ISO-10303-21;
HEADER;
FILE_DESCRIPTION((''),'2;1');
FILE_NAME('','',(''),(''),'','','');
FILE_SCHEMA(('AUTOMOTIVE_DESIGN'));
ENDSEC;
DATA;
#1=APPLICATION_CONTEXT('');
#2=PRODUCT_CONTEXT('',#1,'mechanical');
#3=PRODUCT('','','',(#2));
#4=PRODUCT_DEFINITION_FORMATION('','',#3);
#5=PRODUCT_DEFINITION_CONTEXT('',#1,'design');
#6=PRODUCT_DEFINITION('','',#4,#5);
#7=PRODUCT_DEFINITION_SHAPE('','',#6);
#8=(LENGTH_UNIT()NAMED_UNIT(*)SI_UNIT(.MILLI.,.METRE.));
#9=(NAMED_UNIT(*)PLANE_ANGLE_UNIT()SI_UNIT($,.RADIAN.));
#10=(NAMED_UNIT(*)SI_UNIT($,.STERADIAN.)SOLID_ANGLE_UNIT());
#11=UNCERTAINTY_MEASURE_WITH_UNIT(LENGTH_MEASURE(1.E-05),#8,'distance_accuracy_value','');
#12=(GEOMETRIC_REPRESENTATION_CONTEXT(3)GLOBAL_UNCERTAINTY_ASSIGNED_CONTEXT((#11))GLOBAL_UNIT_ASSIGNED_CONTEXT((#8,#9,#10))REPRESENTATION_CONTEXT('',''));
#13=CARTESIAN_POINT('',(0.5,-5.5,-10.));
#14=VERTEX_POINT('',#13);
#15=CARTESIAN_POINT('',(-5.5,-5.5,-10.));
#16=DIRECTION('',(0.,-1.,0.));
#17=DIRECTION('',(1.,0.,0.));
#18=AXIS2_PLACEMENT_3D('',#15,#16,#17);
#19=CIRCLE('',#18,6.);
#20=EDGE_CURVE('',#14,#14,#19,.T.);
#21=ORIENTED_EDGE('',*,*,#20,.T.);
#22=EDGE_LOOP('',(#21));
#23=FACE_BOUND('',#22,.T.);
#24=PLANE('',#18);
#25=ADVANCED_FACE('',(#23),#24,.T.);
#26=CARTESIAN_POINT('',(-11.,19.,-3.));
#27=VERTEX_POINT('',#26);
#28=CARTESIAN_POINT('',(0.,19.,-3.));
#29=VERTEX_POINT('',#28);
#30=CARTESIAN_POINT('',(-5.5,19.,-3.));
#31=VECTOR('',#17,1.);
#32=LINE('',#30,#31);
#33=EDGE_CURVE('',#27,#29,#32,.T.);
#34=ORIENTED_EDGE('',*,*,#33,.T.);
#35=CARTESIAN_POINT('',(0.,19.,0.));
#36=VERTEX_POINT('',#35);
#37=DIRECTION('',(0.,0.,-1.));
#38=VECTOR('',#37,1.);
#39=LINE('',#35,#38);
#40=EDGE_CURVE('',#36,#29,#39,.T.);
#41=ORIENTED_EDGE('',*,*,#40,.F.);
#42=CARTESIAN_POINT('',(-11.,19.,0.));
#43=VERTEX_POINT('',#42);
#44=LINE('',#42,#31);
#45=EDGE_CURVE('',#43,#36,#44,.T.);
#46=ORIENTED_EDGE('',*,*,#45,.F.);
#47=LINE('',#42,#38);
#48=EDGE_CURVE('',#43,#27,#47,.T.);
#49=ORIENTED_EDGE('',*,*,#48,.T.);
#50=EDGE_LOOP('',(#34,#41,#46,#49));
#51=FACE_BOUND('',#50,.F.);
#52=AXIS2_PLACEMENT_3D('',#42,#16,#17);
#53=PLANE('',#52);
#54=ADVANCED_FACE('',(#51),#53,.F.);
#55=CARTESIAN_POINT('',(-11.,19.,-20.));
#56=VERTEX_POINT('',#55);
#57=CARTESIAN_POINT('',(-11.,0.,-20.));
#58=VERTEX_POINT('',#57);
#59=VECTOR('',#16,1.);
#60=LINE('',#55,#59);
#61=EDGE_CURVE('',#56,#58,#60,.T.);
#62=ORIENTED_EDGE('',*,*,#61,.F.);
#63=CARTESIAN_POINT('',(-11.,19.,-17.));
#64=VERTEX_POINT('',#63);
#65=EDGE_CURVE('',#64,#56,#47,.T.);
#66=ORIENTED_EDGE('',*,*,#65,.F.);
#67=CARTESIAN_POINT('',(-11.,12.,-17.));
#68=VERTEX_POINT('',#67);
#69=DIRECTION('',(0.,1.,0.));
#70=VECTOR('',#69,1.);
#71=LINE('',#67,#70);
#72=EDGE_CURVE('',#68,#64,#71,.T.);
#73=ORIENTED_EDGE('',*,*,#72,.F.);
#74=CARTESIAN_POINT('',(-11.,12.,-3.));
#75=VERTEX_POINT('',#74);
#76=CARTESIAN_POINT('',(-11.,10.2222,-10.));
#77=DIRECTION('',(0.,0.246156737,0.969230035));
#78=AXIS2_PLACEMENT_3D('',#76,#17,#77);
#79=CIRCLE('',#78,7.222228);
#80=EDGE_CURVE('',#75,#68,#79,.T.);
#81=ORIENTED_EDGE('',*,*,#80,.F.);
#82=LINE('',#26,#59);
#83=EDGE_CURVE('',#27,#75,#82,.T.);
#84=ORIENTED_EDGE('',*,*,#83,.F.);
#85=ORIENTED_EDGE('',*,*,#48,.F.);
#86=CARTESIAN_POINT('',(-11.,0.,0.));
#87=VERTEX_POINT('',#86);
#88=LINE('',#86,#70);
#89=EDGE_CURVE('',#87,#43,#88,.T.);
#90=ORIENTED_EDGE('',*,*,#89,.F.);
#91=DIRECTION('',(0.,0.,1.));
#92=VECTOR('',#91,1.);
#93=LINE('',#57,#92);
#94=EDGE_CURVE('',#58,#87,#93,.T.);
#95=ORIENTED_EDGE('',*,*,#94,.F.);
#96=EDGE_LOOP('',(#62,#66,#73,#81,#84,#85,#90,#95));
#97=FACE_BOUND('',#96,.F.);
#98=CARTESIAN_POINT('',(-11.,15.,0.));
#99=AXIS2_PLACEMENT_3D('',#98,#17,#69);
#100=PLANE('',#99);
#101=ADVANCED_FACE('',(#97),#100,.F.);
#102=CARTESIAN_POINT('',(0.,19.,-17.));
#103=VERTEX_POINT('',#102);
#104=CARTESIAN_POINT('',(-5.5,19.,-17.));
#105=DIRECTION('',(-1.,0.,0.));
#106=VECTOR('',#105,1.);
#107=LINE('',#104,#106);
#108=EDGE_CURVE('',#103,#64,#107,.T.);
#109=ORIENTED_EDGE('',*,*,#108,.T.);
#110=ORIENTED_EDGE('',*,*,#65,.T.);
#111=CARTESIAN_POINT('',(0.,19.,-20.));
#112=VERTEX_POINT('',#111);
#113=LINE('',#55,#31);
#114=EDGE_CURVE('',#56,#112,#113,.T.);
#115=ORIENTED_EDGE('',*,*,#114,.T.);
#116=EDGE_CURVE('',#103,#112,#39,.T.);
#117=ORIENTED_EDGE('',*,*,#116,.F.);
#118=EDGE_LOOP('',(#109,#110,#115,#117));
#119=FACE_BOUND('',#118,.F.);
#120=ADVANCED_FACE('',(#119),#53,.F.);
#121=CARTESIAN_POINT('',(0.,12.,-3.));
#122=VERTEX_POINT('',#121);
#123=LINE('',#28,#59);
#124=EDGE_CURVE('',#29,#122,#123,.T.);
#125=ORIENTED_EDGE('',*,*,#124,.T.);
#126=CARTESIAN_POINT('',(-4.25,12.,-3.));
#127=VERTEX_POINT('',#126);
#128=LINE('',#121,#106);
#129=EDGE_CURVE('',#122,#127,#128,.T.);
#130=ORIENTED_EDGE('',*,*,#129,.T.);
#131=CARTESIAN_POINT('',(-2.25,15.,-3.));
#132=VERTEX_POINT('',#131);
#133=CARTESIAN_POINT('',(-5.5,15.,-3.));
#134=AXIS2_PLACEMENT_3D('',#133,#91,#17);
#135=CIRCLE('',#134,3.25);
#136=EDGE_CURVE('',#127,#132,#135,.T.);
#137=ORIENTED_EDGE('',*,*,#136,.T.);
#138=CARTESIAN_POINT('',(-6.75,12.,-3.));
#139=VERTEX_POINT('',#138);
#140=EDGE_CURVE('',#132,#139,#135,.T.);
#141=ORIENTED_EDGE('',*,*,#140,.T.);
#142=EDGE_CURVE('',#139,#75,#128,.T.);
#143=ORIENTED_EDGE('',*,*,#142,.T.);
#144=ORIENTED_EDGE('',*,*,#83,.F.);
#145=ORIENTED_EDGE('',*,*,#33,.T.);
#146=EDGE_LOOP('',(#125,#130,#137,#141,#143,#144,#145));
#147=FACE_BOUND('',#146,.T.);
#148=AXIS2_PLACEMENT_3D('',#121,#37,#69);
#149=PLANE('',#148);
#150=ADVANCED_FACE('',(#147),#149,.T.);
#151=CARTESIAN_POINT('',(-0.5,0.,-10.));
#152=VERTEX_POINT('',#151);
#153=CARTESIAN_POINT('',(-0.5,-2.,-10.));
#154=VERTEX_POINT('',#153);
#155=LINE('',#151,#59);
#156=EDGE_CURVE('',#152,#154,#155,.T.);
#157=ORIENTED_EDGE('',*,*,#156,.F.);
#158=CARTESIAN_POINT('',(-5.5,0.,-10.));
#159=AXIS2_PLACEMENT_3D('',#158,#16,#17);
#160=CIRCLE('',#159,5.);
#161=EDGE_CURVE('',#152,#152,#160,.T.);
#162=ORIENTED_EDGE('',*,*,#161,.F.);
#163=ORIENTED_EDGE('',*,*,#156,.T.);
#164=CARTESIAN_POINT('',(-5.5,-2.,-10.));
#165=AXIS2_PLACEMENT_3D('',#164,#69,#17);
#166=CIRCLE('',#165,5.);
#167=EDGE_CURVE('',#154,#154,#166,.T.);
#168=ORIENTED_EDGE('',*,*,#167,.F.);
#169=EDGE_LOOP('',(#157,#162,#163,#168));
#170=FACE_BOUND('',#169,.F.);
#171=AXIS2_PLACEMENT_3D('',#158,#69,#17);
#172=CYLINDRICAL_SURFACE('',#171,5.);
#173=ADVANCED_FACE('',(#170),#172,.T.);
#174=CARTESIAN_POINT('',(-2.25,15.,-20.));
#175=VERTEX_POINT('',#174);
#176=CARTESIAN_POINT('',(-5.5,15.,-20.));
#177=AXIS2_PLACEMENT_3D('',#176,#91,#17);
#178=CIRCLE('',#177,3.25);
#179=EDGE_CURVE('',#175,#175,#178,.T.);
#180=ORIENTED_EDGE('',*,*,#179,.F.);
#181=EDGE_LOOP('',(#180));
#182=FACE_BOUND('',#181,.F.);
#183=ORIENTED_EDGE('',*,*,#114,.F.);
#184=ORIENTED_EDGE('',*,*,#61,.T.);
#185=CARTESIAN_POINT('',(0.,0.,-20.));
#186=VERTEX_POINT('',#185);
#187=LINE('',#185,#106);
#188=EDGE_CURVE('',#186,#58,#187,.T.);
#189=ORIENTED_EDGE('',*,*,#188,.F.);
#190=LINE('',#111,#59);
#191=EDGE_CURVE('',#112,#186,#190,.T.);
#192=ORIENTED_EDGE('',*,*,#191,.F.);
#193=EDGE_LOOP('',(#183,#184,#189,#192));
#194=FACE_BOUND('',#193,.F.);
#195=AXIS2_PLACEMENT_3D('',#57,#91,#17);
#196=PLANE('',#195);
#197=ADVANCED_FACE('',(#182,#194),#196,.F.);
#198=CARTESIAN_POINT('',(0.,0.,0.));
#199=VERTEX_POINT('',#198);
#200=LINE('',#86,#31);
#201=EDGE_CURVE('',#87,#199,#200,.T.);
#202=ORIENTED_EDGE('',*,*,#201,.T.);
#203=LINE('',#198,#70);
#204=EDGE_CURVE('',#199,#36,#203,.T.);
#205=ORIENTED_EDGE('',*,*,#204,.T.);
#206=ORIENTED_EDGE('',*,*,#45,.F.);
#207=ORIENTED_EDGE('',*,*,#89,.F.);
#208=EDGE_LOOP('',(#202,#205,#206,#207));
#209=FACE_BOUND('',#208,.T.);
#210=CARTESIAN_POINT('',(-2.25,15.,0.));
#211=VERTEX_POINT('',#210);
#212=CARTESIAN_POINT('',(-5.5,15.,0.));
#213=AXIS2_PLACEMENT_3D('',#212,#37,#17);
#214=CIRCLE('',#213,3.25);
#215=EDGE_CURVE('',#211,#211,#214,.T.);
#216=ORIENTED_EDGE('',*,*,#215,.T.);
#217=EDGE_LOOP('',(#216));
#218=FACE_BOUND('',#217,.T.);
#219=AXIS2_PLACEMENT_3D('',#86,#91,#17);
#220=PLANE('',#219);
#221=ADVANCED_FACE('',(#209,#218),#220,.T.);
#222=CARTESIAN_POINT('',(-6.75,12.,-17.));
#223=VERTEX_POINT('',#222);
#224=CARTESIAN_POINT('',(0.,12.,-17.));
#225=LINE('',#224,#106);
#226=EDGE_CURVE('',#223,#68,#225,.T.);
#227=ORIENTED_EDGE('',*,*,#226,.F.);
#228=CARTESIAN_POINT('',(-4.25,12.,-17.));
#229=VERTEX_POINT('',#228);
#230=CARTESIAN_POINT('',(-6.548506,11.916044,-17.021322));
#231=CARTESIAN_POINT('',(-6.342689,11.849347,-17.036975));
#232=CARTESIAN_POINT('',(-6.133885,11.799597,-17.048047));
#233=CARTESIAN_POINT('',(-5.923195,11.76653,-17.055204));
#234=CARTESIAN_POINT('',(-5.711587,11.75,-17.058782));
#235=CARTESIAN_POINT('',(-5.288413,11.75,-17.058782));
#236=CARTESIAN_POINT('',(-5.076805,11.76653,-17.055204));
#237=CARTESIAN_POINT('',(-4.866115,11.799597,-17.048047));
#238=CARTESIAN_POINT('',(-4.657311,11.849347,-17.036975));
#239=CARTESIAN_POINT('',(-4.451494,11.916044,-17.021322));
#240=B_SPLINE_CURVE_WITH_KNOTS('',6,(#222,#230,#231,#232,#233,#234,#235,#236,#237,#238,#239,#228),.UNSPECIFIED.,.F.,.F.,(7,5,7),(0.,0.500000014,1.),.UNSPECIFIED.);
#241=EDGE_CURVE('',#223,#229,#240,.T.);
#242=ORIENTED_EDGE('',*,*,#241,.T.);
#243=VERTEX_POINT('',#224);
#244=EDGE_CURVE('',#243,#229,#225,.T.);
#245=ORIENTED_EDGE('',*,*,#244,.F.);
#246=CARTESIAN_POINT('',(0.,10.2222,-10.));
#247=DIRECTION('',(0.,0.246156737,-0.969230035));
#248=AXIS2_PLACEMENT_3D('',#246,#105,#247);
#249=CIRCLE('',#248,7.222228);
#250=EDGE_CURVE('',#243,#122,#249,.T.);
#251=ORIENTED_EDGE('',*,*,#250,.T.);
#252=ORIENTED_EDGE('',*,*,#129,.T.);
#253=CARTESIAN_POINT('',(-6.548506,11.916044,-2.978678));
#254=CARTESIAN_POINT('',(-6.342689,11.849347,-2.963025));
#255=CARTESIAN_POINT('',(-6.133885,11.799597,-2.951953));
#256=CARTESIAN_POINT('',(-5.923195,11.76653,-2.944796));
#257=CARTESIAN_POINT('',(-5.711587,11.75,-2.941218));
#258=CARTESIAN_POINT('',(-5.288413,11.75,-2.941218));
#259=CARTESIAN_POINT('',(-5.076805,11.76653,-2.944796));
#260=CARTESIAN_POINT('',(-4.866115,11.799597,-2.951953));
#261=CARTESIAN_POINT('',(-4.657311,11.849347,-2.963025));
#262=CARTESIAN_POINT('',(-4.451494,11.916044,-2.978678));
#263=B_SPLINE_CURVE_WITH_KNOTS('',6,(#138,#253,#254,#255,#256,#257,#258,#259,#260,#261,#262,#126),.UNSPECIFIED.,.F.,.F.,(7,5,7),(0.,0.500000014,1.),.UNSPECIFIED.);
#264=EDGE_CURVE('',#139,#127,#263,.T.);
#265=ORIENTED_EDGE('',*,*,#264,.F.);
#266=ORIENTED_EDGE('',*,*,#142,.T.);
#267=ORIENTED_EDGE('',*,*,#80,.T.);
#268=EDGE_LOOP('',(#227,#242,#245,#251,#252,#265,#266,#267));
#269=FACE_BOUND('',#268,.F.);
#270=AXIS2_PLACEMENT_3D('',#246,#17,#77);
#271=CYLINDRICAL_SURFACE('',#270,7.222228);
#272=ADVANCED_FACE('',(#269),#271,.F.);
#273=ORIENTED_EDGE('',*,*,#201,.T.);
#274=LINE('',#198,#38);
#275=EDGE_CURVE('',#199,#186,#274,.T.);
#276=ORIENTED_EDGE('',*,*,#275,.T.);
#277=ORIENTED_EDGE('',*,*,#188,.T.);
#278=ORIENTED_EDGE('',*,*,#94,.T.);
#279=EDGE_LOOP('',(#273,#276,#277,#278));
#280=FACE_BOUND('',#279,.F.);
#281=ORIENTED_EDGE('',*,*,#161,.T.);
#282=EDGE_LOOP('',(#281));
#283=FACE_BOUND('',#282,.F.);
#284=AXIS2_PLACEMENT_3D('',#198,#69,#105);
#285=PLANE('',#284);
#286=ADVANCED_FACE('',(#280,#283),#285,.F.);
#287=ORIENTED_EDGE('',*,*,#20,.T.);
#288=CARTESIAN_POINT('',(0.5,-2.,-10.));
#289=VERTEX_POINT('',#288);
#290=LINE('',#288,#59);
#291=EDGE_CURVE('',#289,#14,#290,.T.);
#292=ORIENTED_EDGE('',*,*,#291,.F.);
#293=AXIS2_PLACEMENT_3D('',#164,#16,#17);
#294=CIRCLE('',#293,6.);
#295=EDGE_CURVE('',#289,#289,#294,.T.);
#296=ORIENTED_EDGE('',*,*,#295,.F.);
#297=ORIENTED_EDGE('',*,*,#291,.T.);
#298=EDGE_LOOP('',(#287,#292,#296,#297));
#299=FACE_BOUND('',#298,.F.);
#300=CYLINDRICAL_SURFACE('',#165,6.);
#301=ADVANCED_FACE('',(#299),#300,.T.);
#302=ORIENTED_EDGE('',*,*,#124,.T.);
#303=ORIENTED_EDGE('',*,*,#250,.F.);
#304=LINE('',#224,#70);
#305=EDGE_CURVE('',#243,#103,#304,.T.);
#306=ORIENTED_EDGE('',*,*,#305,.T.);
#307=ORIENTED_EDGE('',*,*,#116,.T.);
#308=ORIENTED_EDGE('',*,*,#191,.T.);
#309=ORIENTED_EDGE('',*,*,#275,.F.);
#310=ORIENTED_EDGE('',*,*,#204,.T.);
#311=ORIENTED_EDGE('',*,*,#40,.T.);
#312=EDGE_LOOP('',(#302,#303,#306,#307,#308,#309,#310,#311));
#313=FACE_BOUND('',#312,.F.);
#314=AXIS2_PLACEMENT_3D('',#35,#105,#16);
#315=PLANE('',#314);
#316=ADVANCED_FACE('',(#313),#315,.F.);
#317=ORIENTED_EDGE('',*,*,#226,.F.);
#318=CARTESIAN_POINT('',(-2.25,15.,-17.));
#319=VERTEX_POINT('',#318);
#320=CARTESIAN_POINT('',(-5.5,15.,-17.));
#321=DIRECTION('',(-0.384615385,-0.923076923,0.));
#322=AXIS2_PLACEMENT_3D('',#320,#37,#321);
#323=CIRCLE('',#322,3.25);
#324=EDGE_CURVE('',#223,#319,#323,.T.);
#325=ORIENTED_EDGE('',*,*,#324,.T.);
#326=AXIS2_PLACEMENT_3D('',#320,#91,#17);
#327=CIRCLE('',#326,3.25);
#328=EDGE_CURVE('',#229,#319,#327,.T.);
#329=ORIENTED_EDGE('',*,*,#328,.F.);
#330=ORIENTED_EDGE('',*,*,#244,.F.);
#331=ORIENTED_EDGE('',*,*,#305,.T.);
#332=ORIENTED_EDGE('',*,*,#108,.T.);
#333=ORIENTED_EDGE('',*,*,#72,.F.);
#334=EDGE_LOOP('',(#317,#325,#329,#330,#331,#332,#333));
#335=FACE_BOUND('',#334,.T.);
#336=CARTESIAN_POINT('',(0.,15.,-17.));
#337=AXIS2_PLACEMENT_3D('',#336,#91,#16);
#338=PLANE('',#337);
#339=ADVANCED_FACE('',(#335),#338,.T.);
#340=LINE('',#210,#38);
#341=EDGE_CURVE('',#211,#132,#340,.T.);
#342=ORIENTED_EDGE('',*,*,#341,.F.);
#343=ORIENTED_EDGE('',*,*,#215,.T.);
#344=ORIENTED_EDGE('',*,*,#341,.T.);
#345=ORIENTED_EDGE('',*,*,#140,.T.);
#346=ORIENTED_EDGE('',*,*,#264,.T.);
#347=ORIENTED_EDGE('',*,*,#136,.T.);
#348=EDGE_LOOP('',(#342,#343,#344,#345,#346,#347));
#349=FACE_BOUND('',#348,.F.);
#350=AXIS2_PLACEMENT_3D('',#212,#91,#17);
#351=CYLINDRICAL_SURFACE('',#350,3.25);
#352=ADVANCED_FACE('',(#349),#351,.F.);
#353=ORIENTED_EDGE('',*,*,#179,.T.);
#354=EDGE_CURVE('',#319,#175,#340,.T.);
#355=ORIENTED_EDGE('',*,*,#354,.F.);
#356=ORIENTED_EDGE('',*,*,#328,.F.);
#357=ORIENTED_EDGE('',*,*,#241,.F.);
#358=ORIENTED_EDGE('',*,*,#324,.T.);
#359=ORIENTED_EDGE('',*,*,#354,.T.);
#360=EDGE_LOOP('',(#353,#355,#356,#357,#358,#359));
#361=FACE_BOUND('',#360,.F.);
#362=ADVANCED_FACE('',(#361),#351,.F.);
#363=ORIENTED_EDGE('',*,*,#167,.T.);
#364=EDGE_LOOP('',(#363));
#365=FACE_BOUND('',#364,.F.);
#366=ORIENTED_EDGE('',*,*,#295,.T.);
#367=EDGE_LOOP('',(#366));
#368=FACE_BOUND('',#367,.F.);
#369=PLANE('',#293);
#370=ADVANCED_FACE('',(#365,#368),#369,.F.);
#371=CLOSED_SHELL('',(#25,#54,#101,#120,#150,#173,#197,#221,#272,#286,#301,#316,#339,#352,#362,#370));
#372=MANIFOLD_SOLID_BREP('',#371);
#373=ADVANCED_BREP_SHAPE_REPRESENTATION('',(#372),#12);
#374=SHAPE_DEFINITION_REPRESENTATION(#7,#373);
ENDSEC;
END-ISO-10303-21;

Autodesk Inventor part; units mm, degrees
ref_plane "YZ Plane" through (0, 0, 0) normal (1, 0, 0) x (0, 1, 0)
ref_plane "XZ Plane" through (0, 0, 0) normal (0, 1, 0) x (-1, 0, 0)
ref_plane "XY Plane" through (0, 0, 0) normal (0, 0, 1) x (1, 0, 0)
sketch "Sketch2" plane through (0, 0, 0) normal (0, 1, 0) x (-1, 0, 0)
  line L0 (0, 0) -> (0, -20)
  line L1 (0, -20) -> (11, -20)
  line L2 (11, -20) -> (11, 0)
  line L3 (11, 0) -> (0, 0)
  dimension "d3" = 11
  dimension "d35" = 20
extrude "Extrusion1" add sketch "Sketch2" along normal blind 15
sketch "Sketch3" plane through (-11, 0, 0) normal (0, 0, 1) x (1, 0, 0)
  line L0 (0, 0) -> (11, 0) projected
  line L1 (11, 0) -> (11, 15) projected
  line L2 (0, 15) -> (11, 15) projected
  line L3 (0, 0) -> (0, 15) projected
  line L4 (11, 15) -> (0, 15) projected
  circle A0 centre (5.5, 15) radius 3.25
  line L5 (0, 15) -> (0, 19)
  line L6 (0, 19) -> (11, 19)
  line L7 (11, 19) -> (11, 15)
  point P0 (8.75, 15)
  point P1 (2.25, 15)
  dimension "d33" = 6.5
  dimension "d34" = 4
extrude "Extrusion2" cut sketch "Sketch3" against normal blind 32.25 contours L2 A0 picked at (4.4481, 14.7407)
sketch "Sketch4" plane through (0, 0, 0) normal (1, 0, 0) x (0, 0, -1)
  line L0 (0, 0) -> (20, 0) projected
  line L1 (20, 0) -> (20, 15) projected
  line L2 (0, 15) -> (20, 15) projected
  line L3 (0, 0) -> (0, 15) projected
  line L4 (0, 15) -> (3, 15)
  line L5 (0, 15) -> (20, 15) projected
  line L6 (20, 15) -> (17, 15)
  line L7 (17, 15) -> (17, 12)
  line L8 (0, 11.75) -> (20, 11.75) projected
  line L9 (17, 12) -> (3, 12)
  line L10 (3, 12) -> (3, 15)
  line L11 (20, 0) -> (0, 0) projected
  line L12 (10, 0) -> (10, 3)
  arc A0 (3, 12) -> (17, 12) centre (10, 10.2222) ccw
  line L13 (3, 15) -> (3, 23.7535)
  line L14 (3, 23.7535) -> (17, 23.7535)
  line L15 (17, 23.7535) -> (17, 15)
  point P0 (17, 15)
  dimension "d11" = 3
  dimension "d12" = 3
  dimension "d36" = 3
  dimension "d37" = 3
extrude "Extrusion3" cut sketch "Sketch4" against normal blind 32.25 contours A0 L8 | A0 L9 L8 | L2 L7 L9 L10
sketch "Sketch7" plane through (0, 0, 0) normal (0, -1, 0) x (1, 0, 0)
  line L0 (0, -20) -> (-11, -20) projected
  line L1 (0, 0) -> (0, -20) projected
  line L2 (-11, 0) -> (0, 0) projected
  line L3 (-11, -20) -> (-11, 0) projected
  circle A0 centre (-5.5, -10) radius 5
  line L4 (-11, -3) -> (-11, 0) projected
  line L5 (-11, 0) -> (-11, -10)
  line L6 (-11, -17.2222) -> (-11, -2.7778) projected
  line L7 (-11, -10) -> (0, -10)
  line L8 (0, -2.7778) -> (0, -17.2222) projected
  line L9 (-8.75, 0) -> (-2.25, 0) projected
  line L10 (-5.5, 0) -> (-5.5, -10)
  point P0 (-11, -17)
  point P1 (0, -17)
  point P2 (0, -3)
  dimension "d22" = 10
  dimension "d38" = 10
extrude "Extrusion6" add sketch "Sketch7" along normal blind 2 contours L7 L10 A0 | A0 L7 | A0 L10 L7
sketch "Sketch8" plane through (-5.5, -2, -10) normal (0, -1, 0) x (1, 0, 0)
  circle A0 centre (0, 0) radius 6
  point P0 (5.5, 10)
  dimension "d25" = 12
extrude "Extrusion7" add sketch "Sketch8" along normal blind 3.5
extrude "Extrusion8" add sketch "Sketch3" against normal blind 20 contours L5 L6 L7 L2 A0
extrude "Extrusion9" cut sketch "Sketch4" against normal blind 26 contours L13 L14 L15 L2
